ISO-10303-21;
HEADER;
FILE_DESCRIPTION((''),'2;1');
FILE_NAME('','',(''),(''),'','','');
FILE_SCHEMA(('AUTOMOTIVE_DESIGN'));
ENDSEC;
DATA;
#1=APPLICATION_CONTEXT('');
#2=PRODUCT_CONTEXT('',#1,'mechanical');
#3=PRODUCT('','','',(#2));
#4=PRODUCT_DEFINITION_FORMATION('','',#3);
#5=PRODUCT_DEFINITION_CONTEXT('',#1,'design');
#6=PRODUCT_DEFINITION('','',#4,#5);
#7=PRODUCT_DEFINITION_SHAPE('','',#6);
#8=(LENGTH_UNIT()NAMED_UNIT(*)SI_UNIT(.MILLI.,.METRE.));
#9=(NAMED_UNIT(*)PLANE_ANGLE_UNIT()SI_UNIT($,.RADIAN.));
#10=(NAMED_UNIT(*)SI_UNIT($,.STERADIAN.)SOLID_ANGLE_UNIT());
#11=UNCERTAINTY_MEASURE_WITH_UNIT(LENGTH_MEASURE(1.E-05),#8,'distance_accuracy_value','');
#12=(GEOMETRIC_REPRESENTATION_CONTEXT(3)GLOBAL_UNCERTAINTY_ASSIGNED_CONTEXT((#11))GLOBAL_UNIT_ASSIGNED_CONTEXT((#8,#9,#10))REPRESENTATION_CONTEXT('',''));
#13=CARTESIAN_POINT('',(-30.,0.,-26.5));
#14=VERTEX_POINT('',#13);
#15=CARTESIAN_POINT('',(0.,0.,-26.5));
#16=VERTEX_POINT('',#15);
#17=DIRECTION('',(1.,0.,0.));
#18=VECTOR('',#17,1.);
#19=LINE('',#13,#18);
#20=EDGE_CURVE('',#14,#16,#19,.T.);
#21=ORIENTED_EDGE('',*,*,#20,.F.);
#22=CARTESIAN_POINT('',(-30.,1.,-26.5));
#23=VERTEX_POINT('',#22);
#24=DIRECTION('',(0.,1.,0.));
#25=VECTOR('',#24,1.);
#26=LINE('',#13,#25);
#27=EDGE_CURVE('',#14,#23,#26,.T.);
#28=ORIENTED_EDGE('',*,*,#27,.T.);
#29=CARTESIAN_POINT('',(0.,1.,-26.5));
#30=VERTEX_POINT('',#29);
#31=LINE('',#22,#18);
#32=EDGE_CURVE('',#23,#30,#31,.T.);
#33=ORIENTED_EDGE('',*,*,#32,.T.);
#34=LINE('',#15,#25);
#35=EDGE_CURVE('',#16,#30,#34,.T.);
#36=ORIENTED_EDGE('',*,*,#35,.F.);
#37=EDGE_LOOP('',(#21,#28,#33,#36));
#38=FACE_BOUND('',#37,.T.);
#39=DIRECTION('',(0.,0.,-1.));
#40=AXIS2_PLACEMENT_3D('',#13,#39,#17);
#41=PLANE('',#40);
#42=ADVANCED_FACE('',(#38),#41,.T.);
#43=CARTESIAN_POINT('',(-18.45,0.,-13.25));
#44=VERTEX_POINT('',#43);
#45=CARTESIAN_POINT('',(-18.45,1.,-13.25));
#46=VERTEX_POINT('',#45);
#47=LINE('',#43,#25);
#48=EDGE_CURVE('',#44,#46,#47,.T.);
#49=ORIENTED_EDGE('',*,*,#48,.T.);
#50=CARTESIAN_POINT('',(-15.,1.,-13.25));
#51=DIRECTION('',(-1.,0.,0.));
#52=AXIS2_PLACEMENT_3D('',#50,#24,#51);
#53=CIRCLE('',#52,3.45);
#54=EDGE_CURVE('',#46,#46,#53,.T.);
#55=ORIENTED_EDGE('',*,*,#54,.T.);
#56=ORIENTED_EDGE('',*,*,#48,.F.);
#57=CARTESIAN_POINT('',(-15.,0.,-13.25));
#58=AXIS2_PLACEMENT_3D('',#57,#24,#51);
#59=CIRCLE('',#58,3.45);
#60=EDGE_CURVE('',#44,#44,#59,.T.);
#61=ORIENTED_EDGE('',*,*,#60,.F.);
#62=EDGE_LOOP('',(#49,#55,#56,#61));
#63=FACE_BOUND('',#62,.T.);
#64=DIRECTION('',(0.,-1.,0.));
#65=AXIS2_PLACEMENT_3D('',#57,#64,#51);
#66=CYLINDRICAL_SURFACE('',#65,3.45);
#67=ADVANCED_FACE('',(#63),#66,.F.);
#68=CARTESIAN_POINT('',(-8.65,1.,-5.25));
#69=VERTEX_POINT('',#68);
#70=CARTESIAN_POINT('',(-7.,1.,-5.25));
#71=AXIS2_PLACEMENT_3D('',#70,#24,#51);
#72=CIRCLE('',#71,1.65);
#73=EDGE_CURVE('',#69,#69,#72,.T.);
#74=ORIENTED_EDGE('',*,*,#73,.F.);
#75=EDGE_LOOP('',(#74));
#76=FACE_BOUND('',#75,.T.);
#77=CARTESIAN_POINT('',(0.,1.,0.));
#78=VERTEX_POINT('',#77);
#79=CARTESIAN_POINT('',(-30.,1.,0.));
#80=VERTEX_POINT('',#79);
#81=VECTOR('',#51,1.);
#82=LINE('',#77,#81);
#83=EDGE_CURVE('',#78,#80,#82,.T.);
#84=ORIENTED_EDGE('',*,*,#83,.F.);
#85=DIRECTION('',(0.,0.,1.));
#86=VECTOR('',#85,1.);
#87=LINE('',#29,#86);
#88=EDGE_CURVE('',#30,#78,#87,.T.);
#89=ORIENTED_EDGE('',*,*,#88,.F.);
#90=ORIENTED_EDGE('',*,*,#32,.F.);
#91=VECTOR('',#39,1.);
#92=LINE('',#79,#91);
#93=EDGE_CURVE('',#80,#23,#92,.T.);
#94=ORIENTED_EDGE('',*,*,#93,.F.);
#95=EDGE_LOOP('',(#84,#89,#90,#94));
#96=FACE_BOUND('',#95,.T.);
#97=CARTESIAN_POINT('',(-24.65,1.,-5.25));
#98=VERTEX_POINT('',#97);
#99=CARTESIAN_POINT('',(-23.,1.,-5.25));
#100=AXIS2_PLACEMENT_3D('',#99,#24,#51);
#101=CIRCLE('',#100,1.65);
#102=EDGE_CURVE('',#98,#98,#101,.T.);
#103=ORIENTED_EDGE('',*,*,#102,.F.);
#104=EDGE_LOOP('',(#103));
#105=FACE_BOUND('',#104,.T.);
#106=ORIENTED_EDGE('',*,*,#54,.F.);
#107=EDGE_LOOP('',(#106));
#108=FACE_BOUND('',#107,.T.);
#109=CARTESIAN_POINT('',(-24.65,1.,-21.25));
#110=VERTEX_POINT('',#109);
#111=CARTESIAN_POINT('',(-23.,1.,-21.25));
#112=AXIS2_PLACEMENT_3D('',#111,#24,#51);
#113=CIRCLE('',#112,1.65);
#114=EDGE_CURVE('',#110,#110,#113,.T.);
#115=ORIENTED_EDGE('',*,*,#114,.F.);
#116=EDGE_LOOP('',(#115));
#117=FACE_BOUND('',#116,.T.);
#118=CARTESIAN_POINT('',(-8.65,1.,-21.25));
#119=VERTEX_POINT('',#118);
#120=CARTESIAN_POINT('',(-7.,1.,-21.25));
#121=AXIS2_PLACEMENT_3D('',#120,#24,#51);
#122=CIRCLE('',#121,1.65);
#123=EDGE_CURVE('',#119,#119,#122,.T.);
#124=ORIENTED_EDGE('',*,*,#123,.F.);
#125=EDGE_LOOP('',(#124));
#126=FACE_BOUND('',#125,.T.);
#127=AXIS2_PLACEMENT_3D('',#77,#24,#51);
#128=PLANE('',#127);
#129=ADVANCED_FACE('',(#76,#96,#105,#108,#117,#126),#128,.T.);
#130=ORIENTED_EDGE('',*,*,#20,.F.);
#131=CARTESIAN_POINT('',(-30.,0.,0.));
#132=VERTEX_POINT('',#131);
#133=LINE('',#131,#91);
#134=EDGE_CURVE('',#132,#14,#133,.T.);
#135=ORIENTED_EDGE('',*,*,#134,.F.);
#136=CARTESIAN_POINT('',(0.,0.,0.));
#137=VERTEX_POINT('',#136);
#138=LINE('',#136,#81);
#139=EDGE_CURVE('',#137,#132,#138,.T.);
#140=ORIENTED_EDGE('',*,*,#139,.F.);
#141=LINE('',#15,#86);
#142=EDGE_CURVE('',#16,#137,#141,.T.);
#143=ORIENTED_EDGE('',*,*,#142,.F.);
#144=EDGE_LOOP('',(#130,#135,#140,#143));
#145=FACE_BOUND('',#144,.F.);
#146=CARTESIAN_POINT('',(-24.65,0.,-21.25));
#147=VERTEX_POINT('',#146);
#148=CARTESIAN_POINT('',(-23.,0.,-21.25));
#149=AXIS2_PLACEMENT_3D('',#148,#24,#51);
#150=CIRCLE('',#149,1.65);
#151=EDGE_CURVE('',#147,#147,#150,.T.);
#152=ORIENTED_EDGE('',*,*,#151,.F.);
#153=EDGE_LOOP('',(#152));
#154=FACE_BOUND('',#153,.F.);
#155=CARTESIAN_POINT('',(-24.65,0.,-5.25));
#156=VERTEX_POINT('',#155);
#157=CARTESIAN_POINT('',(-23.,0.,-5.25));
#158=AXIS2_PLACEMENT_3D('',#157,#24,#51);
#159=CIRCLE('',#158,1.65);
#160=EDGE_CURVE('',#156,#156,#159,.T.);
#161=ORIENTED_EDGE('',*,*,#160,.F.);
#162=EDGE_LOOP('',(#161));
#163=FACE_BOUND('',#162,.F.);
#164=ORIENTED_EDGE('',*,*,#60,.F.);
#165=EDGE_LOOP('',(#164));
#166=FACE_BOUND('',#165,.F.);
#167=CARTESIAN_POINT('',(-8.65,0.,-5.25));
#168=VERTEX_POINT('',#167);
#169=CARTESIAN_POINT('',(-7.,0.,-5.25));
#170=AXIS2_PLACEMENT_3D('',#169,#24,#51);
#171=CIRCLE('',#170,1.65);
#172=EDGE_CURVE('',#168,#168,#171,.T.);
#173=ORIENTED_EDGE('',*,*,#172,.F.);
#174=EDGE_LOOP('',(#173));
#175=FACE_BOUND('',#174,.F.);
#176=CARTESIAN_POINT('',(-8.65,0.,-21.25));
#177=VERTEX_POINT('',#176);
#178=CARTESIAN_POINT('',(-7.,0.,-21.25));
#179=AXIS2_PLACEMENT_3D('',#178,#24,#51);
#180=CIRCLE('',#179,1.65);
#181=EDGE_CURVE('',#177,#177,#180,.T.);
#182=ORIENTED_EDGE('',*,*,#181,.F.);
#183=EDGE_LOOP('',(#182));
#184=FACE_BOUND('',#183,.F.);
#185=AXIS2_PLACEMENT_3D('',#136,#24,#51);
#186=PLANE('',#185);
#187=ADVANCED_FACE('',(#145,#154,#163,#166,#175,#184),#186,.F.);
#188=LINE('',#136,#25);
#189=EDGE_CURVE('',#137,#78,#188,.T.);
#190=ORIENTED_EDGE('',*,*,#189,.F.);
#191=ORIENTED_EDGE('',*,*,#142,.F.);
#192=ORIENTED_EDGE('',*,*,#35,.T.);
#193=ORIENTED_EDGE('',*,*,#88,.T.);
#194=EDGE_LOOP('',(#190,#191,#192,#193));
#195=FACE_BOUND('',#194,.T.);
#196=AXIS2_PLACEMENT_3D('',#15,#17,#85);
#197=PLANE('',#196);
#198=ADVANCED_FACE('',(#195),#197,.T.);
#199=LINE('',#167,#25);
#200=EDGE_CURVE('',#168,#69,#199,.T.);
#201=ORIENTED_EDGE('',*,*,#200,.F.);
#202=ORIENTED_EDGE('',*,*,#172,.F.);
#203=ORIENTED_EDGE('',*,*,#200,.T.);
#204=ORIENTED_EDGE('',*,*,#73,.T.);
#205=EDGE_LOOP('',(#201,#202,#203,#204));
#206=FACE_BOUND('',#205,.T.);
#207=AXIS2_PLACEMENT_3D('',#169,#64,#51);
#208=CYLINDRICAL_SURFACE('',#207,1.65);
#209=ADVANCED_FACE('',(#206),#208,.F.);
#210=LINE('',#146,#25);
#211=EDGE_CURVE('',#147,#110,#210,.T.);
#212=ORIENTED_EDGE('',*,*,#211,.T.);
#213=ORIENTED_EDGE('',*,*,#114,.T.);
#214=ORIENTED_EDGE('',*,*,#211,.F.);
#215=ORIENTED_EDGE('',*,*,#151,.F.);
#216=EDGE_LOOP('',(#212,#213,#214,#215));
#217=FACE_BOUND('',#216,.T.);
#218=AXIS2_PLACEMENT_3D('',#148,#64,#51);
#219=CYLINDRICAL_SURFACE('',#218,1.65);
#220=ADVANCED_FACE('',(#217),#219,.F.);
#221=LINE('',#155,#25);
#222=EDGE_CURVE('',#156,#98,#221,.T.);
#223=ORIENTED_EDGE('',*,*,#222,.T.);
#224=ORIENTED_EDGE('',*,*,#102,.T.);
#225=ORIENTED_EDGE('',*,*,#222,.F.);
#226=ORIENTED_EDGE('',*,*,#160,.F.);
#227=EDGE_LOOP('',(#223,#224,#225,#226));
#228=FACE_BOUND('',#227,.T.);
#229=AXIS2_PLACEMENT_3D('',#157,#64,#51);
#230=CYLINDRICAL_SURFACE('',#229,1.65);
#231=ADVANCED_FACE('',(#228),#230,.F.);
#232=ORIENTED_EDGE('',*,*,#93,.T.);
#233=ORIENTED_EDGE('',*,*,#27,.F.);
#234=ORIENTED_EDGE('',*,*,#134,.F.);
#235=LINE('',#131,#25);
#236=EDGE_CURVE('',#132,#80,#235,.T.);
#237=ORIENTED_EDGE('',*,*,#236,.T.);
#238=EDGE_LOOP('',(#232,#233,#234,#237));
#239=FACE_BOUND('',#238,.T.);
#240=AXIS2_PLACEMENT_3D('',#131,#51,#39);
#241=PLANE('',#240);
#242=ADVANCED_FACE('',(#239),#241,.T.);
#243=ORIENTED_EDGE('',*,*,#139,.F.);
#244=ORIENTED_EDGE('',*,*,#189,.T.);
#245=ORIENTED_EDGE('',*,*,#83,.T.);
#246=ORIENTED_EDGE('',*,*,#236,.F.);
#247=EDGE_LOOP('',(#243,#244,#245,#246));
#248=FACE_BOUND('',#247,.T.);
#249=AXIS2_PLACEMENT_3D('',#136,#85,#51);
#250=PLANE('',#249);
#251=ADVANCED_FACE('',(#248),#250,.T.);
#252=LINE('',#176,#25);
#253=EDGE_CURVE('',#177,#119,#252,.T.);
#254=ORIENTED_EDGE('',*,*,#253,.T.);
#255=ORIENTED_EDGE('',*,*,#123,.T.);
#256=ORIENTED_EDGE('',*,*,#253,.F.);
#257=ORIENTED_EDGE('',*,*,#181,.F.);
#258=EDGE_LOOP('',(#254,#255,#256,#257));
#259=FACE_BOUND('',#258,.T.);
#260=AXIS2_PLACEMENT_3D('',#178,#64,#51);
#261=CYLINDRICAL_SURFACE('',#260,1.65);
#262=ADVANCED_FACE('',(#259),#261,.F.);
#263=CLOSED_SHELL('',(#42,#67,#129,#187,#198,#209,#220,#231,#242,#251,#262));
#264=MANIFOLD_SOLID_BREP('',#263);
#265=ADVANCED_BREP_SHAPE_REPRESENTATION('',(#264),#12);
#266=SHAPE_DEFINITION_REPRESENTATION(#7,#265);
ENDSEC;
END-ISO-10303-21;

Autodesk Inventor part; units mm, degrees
ref_plane "YZ Plane" through (0, 0, 0) normal (1, 0, 0) x (0, 1, 0)
ref_plane "XZ Plane" through (0, 0, 0) normal (0, 1, 0) x (-1, 0, 0)
ref_plane "XY Plane" through (0, 0, 0) normal (0, 0, 1) x (1, 0, 0)
sketch "Sketch14" plane through (0, 0, 0) normal (0, 1, 0) x (-1, 0, 0)
  line L0 (0, 0) -> (30, 0)
  line L1 (30, 0) -> (30, -26.5)
  line L2 (30, -26.5) -> (0, -26.5)
  line L3 (0, -26.5) -> (0, 0)
  circle A0 centre (15, -13.25) radius 3.45
  circle A1 centre (15, -13.25) radius 11.3137 construction
  circle A2 centre (23, -21.25) radius 1.65
  circle A3 centre (23, -5.25) radius 1.65
  circle A4 centre (7, -5.25) radius 1.65
  circle A5 centre (7, -21.25) radius 1.65
  line L4 (30, -13.25) -> (0, -13.25) construction
  dimension "d101" = 360
  dimension "d103" = 26.5
  dimension "d104" = 30
  dimension "d105" = 16
  dimension "d106" = 3.3
  dimension "d107" = 6.9
extrude "Plate5" add sketch "Sketch14" along normal blind 1
equation "\"d108\" = Thickness"
equation "\"BendRadius\" = Thickness"
equation "\"BendReliefWidth\" = Thickness"
equation "\"BendReliefDepth\" = 0.5 * Thickness"
equation "\"CornerReliefSize\" = 4 * Thickness"
equation "\"MinimumRemnant\" = 2 * Thickness"
equation "\"TransitionRadius\" = BendRadius"
equation "\"JacobiRadiusSize\" = BendRadius"
equation "\"GapSize\" = Thickness"
equation "\"Thickness\" = 1"
properties part number "JGA25-370-bracket" material "Aluminum 6061"
